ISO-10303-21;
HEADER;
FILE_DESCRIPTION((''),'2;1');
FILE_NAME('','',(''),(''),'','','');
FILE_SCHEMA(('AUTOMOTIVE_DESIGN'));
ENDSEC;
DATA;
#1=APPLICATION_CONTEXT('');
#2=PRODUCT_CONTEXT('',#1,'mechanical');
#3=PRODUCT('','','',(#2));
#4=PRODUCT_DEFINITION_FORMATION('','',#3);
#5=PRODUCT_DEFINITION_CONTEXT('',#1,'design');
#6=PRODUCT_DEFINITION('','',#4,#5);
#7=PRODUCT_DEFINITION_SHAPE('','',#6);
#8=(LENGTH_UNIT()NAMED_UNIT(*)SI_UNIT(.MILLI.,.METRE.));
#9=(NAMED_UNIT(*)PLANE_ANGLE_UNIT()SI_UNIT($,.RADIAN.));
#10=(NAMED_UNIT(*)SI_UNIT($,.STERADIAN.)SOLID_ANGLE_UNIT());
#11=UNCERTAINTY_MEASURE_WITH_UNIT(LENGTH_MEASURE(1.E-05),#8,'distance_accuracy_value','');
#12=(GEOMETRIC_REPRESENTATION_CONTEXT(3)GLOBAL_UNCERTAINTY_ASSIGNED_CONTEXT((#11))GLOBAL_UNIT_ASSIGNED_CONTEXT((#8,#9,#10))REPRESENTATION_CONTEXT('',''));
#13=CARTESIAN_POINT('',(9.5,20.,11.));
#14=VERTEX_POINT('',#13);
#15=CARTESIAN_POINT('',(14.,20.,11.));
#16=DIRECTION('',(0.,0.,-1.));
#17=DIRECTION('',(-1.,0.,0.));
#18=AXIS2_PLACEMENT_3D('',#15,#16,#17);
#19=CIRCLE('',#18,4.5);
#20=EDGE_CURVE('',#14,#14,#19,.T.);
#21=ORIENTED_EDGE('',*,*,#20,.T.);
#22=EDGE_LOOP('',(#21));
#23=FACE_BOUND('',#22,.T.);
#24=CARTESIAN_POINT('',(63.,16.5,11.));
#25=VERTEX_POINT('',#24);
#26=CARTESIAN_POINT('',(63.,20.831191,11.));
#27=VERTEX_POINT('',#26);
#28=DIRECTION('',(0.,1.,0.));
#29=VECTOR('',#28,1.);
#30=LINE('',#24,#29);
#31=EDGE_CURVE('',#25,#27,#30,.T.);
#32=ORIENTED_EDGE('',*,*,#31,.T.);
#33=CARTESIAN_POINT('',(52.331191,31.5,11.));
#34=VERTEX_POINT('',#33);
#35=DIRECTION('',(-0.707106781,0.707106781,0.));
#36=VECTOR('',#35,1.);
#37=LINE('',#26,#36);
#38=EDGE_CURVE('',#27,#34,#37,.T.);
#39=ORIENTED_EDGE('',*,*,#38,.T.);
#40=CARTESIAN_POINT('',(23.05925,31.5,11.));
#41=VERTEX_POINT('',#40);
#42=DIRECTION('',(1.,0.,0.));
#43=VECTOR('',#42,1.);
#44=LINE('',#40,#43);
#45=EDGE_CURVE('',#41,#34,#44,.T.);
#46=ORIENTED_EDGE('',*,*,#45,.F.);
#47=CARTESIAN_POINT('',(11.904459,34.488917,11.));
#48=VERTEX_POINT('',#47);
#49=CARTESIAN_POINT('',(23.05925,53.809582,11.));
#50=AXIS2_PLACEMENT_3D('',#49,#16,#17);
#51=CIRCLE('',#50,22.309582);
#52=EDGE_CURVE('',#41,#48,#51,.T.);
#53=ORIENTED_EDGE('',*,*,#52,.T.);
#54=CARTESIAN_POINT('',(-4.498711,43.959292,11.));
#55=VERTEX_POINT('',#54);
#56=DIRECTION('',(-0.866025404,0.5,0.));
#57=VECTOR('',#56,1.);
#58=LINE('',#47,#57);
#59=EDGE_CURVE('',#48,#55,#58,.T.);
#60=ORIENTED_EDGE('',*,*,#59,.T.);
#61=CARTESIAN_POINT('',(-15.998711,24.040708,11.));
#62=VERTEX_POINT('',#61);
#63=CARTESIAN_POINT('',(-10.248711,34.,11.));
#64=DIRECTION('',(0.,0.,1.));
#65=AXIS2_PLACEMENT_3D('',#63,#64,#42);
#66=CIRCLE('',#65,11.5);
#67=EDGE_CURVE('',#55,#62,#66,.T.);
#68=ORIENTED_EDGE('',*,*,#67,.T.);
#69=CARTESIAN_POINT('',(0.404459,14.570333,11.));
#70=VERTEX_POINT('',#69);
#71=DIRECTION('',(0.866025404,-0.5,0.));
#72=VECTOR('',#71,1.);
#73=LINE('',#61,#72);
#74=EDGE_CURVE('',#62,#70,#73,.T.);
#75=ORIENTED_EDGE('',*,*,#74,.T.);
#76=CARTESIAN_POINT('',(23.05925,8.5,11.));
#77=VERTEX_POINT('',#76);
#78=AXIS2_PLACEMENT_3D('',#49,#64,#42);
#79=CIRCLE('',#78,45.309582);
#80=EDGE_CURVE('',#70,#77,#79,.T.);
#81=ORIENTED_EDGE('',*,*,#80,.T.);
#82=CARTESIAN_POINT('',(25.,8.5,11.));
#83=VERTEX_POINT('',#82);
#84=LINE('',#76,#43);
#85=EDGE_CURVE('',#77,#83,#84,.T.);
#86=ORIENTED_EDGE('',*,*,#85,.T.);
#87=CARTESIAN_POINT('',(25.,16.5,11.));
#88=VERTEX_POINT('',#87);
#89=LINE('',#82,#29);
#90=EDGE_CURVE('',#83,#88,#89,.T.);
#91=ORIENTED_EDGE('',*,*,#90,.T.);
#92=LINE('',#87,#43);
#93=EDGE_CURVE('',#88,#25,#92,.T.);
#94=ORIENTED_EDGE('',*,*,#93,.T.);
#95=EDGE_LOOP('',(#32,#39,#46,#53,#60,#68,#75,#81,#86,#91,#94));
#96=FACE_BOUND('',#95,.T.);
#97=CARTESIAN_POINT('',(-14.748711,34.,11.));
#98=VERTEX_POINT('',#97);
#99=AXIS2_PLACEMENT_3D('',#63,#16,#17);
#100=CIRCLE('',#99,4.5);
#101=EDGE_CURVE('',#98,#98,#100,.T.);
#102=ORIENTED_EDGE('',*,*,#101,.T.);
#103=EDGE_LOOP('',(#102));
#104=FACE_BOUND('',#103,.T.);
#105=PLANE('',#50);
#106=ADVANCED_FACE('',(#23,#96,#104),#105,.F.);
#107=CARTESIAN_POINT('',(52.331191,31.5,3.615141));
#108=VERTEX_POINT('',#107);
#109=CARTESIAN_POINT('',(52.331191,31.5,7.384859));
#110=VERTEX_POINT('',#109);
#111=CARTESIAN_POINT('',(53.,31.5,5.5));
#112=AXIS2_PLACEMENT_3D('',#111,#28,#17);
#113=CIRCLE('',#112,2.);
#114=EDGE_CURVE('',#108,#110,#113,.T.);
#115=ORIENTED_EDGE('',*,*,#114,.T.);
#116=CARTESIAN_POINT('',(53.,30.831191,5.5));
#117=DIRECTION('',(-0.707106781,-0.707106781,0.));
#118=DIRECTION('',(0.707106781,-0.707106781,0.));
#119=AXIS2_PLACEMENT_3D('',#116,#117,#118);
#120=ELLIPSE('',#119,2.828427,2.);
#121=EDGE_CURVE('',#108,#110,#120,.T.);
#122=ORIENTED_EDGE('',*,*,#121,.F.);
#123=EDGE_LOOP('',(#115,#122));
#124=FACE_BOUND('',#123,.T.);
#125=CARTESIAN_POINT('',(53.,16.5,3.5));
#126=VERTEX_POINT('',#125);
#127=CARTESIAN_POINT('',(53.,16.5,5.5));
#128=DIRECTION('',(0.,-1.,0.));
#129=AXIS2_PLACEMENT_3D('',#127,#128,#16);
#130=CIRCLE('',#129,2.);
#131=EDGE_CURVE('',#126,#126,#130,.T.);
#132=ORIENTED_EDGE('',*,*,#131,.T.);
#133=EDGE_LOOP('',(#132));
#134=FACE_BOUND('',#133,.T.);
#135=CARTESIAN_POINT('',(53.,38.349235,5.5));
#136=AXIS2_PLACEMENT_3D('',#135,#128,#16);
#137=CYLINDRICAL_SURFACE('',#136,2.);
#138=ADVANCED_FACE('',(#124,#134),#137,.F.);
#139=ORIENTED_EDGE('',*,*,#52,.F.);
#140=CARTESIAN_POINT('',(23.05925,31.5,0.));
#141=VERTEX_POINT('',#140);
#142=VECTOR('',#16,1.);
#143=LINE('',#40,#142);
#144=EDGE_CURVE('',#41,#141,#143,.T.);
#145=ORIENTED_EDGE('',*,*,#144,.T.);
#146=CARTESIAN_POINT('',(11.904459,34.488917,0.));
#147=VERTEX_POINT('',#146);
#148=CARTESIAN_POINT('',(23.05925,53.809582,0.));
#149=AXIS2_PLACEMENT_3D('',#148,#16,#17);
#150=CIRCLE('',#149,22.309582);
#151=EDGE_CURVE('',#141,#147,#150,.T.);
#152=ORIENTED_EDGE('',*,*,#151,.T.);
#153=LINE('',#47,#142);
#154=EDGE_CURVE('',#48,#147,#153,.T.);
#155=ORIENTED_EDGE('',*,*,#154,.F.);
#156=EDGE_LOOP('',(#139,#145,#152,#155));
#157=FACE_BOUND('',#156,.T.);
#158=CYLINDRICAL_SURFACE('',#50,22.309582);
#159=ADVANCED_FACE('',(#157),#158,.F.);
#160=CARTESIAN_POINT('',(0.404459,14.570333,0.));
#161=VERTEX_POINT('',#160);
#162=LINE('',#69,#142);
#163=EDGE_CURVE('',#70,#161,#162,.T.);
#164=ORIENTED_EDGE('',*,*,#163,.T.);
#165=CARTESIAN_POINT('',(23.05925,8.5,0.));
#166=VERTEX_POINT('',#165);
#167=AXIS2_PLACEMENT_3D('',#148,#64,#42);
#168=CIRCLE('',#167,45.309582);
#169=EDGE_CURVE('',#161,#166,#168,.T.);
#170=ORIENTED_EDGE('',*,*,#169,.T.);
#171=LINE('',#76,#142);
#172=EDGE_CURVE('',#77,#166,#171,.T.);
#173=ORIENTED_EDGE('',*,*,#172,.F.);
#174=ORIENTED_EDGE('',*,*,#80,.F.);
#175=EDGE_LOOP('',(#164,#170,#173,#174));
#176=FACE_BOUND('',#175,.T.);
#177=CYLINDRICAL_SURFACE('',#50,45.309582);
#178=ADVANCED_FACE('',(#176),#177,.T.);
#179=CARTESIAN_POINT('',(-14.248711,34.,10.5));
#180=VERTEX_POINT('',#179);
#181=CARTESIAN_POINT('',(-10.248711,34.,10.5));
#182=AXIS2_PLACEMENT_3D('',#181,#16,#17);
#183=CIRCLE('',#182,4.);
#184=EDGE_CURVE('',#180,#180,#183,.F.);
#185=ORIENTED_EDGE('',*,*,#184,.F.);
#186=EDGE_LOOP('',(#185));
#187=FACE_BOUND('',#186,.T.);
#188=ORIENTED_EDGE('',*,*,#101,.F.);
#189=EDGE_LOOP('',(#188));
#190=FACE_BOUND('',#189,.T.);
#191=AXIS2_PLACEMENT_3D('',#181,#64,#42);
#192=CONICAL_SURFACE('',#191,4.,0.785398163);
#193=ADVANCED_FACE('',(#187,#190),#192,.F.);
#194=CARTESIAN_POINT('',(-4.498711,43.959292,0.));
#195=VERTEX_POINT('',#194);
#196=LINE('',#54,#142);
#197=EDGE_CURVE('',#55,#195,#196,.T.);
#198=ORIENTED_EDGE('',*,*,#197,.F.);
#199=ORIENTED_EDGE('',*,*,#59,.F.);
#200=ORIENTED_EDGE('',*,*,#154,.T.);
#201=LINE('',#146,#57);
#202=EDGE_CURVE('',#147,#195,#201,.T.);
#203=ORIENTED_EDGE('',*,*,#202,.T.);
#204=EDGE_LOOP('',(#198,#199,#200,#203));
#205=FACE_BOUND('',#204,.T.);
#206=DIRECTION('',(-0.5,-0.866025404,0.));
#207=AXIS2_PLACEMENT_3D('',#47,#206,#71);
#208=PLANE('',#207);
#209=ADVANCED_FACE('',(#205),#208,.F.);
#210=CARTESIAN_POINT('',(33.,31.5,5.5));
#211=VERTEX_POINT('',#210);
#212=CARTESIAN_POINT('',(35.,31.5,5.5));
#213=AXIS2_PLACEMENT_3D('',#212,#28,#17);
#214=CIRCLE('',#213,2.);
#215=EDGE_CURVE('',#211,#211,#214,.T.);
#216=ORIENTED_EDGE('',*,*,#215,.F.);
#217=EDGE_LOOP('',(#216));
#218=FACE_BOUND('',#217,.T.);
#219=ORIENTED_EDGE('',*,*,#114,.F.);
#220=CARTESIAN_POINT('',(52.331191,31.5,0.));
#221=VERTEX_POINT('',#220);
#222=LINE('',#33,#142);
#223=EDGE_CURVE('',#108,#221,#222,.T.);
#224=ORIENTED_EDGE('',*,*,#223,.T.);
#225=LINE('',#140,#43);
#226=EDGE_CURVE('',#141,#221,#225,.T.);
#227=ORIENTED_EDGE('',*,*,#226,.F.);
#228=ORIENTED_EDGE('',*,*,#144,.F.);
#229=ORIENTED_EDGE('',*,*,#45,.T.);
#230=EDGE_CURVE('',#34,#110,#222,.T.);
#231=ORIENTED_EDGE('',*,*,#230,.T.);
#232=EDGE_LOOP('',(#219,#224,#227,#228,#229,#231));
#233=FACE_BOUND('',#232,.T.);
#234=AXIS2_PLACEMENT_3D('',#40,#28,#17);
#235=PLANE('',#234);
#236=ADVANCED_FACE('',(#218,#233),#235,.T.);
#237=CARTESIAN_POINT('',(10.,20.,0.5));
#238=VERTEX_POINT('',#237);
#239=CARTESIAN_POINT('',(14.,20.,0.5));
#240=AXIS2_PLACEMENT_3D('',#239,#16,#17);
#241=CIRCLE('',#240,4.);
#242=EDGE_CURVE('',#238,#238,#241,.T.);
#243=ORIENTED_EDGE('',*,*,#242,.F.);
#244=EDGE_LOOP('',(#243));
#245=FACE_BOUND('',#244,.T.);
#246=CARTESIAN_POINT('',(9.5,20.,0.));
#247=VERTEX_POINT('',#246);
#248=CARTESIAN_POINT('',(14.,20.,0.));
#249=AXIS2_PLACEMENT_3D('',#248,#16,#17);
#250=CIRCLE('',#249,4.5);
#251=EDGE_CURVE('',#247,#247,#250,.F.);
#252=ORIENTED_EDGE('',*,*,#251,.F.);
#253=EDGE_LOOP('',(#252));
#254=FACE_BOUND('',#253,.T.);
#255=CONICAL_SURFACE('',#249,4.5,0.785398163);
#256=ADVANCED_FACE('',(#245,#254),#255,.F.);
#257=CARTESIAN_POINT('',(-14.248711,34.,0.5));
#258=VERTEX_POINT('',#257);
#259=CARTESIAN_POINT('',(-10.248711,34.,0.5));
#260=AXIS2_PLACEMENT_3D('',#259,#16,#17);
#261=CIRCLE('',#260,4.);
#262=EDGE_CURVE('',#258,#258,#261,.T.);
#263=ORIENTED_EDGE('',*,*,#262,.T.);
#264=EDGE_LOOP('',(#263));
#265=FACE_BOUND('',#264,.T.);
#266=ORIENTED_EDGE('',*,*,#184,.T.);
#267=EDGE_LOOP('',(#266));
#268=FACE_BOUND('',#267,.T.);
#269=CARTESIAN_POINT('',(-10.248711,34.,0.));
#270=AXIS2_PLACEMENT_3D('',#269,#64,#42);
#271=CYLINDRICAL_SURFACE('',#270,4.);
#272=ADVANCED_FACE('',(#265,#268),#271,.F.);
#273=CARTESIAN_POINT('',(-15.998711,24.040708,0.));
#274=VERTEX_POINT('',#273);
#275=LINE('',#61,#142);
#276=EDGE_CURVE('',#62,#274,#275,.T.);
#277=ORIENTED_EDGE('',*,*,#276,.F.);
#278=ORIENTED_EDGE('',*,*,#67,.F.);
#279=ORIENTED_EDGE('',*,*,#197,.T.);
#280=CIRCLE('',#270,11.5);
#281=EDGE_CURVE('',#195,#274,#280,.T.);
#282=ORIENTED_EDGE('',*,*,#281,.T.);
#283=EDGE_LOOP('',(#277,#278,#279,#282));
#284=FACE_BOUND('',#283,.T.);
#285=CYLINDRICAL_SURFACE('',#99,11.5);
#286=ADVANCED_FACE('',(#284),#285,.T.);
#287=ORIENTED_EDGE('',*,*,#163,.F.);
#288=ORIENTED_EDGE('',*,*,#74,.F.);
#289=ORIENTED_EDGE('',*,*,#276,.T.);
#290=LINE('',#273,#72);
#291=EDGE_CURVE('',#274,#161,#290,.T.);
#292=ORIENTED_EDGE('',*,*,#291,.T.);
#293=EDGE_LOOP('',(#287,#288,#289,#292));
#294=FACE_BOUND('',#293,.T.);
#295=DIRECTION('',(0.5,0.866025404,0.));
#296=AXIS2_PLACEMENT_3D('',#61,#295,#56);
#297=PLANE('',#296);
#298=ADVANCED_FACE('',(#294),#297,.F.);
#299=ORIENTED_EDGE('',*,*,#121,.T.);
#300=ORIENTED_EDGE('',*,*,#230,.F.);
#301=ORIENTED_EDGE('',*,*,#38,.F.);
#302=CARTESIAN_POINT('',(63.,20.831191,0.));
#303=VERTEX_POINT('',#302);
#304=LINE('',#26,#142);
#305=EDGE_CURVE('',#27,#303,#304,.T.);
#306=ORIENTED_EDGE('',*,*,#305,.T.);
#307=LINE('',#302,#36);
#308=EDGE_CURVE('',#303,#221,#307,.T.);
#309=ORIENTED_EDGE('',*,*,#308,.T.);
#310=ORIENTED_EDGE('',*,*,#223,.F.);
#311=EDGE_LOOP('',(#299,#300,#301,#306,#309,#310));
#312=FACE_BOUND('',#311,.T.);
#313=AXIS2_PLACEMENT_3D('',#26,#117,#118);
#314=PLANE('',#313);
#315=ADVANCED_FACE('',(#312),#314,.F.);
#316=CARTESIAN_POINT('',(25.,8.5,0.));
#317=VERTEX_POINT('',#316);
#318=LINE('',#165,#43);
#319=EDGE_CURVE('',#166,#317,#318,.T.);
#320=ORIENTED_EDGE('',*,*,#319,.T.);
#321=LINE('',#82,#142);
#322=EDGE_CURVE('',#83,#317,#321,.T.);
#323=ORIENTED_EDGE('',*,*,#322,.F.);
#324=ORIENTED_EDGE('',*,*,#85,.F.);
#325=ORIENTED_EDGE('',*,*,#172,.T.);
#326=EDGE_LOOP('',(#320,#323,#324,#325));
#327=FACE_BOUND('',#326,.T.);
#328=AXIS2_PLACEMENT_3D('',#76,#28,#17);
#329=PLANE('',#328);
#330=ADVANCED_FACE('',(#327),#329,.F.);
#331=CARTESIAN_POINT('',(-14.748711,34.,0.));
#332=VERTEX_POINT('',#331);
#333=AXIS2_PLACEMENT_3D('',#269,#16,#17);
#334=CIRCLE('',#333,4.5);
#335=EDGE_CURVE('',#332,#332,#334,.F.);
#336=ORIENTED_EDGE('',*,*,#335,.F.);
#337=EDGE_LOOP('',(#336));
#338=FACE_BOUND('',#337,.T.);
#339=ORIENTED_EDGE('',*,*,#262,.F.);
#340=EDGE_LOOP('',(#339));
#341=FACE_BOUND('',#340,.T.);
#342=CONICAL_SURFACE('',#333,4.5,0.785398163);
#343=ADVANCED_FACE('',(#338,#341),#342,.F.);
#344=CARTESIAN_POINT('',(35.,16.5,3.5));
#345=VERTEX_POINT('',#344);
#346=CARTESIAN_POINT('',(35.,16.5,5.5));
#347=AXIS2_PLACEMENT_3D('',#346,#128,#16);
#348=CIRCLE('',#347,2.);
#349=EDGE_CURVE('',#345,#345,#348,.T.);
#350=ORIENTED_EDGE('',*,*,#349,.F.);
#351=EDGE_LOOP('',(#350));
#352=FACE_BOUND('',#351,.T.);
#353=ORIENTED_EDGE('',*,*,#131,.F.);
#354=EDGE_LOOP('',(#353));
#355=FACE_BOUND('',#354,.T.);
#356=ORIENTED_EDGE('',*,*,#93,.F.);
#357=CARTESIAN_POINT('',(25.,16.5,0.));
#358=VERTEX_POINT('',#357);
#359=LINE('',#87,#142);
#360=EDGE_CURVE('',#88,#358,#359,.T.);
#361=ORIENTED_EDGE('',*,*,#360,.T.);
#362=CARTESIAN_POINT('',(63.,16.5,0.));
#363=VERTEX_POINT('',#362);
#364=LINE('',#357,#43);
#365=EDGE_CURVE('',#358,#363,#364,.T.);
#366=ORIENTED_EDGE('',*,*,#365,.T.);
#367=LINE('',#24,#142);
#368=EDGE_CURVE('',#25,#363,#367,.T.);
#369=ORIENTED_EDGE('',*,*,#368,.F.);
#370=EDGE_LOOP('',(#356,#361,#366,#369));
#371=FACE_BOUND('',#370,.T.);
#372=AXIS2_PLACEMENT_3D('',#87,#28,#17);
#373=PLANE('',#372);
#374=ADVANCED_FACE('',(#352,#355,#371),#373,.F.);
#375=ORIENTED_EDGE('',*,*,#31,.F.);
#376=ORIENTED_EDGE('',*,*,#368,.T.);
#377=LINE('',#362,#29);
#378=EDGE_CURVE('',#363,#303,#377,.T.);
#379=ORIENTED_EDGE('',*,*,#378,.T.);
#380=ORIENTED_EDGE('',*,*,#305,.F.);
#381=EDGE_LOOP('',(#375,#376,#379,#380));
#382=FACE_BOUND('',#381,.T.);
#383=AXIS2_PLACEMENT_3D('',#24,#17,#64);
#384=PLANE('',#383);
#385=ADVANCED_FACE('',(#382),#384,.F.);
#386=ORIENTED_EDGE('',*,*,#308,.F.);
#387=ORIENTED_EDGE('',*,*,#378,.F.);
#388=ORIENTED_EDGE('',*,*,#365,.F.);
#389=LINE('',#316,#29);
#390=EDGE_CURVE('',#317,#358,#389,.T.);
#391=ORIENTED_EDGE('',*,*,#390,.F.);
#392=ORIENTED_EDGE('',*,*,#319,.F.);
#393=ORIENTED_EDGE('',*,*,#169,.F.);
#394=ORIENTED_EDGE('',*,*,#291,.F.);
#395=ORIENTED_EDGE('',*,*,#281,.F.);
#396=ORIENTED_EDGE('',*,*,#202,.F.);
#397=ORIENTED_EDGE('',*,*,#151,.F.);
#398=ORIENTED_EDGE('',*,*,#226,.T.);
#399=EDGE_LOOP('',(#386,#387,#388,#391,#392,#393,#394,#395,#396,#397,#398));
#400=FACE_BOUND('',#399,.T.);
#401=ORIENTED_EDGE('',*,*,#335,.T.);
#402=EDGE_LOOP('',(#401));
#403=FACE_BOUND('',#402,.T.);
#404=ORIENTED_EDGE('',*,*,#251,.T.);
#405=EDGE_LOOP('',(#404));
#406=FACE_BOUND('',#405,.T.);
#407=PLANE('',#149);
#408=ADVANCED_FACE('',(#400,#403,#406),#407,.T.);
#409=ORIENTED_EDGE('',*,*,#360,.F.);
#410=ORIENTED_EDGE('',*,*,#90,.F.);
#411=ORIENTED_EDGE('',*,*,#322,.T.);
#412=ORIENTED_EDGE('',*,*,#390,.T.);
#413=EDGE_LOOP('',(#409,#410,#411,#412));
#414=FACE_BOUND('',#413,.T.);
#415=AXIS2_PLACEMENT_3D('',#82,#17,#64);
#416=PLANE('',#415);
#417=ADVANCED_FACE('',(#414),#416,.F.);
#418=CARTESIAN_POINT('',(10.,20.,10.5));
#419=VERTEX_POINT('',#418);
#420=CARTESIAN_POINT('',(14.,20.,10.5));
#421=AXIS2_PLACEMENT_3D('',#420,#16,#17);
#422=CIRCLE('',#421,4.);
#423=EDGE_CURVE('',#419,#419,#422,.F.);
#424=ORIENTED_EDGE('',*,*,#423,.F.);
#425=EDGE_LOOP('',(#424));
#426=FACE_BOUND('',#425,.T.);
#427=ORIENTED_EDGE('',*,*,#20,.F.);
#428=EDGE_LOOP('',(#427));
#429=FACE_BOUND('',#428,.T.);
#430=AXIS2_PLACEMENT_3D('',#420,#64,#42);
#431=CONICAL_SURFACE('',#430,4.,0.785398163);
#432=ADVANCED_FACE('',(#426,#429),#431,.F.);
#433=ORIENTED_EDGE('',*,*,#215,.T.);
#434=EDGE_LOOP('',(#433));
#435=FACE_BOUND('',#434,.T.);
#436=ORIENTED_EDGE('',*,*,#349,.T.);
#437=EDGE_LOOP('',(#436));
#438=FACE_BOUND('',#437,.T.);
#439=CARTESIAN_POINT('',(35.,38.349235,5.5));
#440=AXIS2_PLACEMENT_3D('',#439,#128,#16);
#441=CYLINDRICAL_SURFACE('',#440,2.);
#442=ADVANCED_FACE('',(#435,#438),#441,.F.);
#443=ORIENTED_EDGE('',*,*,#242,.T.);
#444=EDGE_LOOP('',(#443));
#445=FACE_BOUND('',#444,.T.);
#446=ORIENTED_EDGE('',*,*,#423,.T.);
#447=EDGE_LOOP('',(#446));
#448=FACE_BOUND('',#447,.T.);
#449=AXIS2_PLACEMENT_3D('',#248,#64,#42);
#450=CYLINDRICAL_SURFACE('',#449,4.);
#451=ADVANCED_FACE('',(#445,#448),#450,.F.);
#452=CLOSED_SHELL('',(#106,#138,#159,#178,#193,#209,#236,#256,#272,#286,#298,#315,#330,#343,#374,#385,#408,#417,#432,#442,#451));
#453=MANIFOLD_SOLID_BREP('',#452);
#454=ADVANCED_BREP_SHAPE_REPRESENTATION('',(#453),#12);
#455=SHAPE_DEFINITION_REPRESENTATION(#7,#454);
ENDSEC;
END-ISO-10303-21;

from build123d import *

# Parameters (mm, degrees)
BASE_EXTRUSION_DEPTH    = 11
ESQUISSE2_R             = 4
ENL_V_MAT_EXTRU_1_DEPTH = 79.487260113
CHANFREIN1_SIZE         = 0.5
ESQUISSE3_R             = 4
ENL_V_MAT_EXTRU_3_DEPTH = 76.099025835
CHANFREIN2_SIZE         = 0.5
ESQUISSE4_R             = 2
ENL_V_MAT_EXTRU_4_DEPTH = 21.849235277


with BuildPart() as part:
    # Esquisse1 → Base-Extrusion (new body)
    with BuildSketch(Plane.XY):
        with BuildLine():
            Line((23.059250232, 31.5), (52.331191161, 31.5))
            Line((52.331191161, 31.5), (63, 20.831191161))
            Line((63, 20.831191161), (63, 16.5))
            Line((63, 16.5), (25, 16.5))
            Line((25, 16.5), (25, 8.5))
            Line((25, 8.5), (23.059250232, 8.5))
            ThreePointArc((23.059250232, 8.5), (11.332267447, 10.043886573), (0.40445916, 14.570332972))
            Line((0.40445916, 14.570332972), (-15.998711306, 24.040707856))
            ThreePointArc((-15.998711306, 24.040707856), (-20.208003449, 39.75), (-4.498711306, 43.959292144))
            Line((-4.498711306, 43.959292144), (11.90445916, 34.488917259))
            ThreePointArc((11.90445916, 34.488917259), (17.285105485, 32.260180577), (23.059250232, 31.5))
        make_face()
    extrude(amount=BASE_EXTRUSION_DEPTH)

    # Esquisse2 → Enlèv. mat.-Extru.1 (cut, through all)
    with BuildSketch(Plane.XY.offset(11)):
        with Locations((-10.248711306, 34)):
            Circle(ESQUISSE2_R)
    extrude(amount=-ENL_V_MAT_EXTRU_1_DEPTH, mode=Mode.SUBTRACT)

    # Chanfrein1
    chanfrein1_edges = [part.edges().sort_by_distance(p)[0] for p in [
        (-14.248711306, 34, 0),
        (-14.248711306, 34, 11),
    ]]
    chamfer(chanfrein1_edges, length=CHANFREIN1_SIZE)

    # Esquisse3 → Enlèv. mat.-Extru.3 (cut, through all)
    with BuildSketch(Plane(origin=(23.483322458, -13.431543362, 11), x_dir=(1, 0, 0), z_dir=(0, 0, 1))):
        with Locations((-9.483322458, 33.431543362)):
            Circle(ESQUISSE3_R)
    extrude(amount=-ENL_V_MAT_EXTRU_3_DEPTH, mode=Mode.SUBTRACT)

    # Chanfrein2
    chanfrein2_edges = [part.edges().sort_by_distance(p)[0] for p in [
        (10, 20, 0),
        (10, 20, 11),
    ]]
    chamfer(chanfrein2_edges, length=CHANFREIN2_SIZE)

    # Esquisse4 → Enlèv. mat.-Extru.4 (cut)
    with BuildSketch(Plane.XZ.offset(-16.5)):
        with Locations(Location((35, 5.5, 0), (0, 0, 270))):
            Circle(ESQUISSE4_R)
        with Locations(Location((53, 5.5, 0), (0, 0, 270))):
            Circle(ESQUISSE4_R)
    extrude(amount=-ENL_V_MAT_EXTRU_4_DEPTH, mode=Mode.SUBTRACT)


solid = part.part
